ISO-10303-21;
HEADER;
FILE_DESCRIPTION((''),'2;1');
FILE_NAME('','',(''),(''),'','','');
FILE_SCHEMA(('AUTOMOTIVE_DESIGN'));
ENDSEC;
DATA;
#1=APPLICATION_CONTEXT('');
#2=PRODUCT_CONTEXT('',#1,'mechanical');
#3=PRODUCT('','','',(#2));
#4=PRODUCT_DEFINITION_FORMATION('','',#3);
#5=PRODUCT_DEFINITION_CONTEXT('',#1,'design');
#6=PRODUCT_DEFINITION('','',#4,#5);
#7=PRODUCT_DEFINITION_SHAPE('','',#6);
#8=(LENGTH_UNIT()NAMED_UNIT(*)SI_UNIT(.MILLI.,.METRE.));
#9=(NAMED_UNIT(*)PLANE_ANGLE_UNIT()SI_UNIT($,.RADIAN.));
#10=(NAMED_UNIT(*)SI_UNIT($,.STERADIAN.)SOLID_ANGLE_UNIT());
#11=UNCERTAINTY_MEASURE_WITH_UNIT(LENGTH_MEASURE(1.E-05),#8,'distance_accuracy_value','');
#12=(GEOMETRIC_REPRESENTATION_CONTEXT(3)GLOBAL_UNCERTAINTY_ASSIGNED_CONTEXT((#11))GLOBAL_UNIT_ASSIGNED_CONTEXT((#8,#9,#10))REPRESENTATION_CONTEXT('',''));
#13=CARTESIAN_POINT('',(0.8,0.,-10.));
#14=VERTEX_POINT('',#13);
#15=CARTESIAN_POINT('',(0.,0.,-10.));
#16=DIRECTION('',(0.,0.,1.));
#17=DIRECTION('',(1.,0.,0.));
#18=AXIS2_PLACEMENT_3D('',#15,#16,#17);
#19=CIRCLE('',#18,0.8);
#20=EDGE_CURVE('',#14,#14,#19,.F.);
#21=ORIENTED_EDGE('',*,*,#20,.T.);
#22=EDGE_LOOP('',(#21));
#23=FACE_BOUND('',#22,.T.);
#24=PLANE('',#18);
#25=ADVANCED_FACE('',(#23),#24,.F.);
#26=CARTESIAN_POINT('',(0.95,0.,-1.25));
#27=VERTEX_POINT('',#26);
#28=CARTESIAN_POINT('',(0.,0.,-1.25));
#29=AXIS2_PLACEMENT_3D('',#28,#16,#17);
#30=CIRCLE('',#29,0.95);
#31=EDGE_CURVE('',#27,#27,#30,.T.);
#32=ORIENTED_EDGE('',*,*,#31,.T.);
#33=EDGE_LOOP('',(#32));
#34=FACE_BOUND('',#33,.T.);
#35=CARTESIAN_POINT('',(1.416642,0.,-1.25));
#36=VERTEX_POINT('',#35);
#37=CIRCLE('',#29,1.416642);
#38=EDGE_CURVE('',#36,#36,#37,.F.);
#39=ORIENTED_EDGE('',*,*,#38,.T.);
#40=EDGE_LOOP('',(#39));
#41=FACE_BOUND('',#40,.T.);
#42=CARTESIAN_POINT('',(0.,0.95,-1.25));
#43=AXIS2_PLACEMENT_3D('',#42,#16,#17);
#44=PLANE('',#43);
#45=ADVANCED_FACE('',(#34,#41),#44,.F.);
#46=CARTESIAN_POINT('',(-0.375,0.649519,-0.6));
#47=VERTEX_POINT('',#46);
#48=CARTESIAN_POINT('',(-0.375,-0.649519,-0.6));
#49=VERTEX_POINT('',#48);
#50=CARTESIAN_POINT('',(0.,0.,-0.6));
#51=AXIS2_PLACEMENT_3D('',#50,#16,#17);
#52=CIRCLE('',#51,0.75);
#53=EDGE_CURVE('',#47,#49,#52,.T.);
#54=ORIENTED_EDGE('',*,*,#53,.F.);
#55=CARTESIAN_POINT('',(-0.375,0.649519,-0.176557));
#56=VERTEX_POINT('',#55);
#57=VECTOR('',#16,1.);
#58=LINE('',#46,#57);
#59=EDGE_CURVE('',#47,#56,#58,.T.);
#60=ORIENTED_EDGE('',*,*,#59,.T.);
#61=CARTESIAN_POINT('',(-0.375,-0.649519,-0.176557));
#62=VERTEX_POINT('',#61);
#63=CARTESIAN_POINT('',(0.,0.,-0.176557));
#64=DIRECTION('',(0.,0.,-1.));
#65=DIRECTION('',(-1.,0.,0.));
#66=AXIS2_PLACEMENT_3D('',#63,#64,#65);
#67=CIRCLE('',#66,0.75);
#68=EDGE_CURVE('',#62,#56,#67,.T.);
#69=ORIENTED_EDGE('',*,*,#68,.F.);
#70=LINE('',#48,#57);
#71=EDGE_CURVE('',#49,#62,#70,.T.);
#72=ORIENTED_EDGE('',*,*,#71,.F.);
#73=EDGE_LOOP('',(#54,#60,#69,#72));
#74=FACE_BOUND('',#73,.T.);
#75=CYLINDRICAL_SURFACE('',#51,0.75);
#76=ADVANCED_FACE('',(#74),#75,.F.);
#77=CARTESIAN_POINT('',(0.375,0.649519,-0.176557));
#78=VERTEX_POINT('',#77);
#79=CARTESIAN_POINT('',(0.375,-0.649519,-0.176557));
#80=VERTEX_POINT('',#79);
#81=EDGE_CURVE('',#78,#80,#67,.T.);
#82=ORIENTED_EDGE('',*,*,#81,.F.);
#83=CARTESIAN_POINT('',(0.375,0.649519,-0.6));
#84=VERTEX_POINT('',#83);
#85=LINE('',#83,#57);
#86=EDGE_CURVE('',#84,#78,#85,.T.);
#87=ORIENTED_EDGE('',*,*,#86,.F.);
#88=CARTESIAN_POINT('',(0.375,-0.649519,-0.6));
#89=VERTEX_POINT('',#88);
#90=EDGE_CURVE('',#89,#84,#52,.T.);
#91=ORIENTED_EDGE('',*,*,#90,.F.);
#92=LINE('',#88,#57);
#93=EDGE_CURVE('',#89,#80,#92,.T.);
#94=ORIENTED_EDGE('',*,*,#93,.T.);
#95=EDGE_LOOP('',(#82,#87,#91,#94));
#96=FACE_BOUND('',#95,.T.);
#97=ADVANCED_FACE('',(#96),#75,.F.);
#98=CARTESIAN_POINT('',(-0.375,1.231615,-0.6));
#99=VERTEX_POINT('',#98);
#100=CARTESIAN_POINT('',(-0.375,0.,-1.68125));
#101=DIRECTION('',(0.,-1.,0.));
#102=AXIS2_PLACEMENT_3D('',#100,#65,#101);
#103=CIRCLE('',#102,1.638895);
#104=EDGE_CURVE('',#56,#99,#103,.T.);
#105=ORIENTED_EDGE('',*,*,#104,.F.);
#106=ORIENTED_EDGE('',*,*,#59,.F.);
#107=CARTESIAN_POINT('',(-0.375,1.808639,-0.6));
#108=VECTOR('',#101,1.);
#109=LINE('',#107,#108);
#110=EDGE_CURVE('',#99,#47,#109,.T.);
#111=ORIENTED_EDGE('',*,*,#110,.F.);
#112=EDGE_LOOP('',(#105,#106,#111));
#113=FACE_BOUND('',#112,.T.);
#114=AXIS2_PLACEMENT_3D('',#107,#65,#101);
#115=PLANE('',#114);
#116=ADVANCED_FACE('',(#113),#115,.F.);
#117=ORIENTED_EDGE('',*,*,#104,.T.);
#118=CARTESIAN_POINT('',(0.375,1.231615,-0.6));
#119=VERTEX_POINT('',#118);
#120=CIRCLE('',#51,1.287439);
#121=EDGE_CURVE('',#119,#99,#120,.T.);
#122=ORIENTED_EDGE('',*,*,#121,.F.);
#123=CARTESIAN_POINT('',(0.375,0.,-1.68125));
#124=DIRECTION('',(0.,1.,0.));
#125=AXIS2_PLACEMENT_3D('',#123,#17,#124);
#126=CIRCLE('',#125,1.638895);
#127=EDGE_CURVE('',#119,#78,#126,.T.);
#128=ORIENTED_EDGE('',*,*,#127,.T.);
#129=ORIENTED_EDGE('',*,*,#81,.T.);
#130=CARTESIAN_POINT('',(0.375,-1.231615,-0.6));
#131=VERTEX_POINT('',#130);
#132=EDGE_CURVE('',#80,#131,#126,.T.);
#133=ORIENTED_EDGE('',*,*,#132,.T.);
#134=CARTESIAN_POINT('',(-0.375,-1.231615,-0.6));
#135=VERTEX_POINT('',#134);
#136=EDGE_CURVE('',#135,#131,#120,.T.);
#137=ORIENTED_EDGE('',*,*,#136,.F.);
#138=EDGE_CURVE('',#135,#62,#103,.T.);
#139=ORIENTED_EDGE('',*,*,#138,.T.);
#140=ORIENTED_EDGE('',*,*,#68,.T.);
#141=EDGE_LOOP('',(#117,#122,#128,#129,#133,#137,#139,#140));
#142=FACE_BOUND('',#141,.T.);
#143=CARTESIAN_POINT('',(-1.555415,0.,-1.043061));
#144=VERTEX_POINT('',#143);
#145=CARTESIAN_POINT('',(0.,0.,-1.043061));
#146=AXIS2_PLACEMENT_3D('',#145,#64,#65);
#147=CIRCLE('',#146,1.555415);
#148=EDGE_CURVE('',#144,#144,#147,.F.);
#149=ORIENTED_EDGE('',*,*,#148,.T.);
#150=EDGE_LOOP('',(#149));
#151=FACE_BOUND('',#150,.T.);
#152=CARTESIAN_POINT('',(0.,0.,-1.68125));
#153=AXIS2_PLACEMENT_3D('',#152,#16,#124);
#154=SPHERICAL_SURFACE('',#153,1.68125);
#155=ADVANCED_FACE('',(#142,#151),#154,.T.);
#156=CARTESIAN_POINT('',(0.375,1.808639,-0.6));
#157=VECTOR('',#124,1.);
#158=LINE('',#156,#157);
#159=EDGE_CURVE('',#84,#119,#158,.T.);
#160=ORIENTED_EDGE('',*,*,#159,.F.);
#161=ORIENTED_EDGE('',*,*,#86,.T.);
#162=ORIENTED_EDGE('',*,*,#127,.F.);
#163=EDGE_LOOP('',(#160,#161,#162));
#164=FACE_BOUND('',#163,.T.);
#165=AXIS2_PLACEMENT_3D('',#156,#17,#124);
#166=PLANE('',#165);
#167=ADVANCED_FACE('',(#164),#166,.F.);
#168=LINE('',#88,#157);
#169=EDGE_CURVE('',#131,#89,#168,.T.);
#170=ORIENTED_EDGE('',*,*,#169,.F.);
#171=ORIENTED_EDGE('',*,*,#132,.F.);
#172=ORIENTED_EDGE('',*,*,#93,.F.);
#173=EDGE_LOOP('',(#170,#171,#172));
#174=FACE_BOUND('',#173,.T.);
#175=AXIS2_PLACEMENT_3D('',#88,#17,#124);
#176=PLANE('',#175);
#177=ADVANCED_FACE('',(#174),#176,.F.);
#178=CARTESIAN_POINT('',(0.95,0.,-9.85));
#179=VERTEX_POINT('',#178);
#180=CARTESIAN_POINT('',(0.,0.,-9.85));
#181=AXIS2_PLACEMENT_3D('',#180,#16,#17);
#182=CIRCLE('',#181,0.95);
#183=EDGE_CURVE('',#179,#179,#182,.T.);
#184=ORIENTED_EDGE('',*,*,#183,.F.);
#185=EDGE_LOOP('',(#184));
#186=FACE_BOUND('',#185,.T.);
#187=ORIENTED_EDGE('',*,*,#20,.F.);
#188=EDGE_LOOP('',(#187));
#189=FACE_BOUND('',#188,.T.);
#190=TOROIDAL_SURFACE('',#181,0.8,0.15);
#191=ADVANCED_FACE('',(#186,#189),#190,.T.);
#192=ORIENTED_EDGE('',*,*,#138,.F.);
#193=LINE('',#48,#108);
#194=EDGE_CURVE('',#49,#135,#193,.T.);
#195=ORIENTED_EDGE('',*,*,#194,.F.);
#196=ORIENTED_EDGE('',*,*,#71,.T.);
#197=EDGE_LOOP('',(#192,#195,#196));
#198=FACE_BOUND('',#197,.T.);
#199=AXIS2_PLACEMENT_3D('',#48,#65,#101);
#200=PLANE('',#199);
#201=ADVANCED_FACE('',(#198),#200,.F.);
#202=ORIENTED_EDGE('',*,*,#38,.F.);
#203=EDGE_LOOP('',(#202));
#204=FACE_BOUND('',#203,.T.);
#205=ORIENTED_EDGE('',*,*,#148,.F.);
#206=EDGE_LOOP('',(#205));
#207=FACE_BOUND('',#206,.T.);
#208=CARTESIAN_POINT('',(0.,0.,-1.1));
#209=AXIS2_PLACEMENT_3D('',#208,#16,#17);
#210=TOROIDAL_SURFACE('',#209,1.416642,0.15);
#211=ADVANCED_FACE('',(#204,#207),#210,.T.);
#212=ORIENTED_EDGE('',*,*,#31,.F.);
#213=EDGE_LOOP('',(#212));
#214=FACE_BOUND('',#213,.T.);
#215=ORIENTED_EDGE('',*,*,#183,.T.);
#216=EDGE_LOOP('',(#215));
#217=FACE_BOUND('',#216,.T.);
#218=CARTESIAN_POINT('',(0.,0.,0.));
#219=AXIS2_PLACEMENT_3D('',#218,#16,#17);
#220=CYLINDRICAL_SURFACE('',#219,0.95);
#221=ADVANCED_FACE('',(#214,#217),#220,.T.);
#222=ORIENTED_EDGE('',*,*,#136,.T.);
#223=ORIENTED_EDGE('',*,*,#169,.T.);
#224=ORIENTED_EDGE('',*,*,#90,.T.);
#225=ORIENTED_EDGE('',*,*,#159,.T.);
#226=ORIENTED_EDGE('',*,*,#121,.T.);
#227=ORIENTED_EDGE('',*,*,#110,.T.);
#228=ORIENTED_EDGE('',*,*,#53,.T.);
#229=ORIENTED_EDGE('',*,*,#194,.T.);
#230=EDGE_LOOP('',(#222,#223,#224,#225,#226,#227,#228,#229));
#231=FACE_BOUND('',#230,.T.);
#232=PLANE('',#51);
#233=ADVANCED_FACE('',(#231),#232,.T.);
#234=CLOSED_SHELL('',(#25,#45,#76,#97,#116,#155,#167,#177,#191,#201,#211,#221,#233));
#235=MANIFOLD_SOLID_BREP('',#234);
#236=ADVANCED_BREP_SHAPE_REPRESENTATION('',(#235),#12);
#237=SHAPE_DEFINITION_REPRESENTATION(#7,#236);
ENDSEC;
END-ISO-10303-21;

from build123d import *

# Parameters (mm, degrees)
CUT_EXTRUDE1_DEPTH = 0.6
FILLET1_R          = 0.15


with BuildPart() as part:
    # Sketch1 → Revolve1 (revolve)
    with BuildSketch(Plane(origin=(0, 0, 0), x_dir=(0, 0, -1), z_dir=(1, 0, 0))):
        with BuildLine():
            Line((0, 0), (10, 0))
            Line((10, 0), (10, 0.95))
            Line((10, 0.95), (1.25, 0.95))
            Line((1.25, 0.95), (1.25, 1.625))
            ThreePointArc((1.25, 1.625), (0.348650918, 1.025076217), (0, 0))
        make_face()
    revolve(axis=Axis((0, 0, 0), (0, 0, -1)))

    # Sketch2 → Cut-Extrude1 (cut)
    with BuildSketch(Plane.XY):
        with BuildLine():
            Line((-0.375, -0.649519053), (-0.375, -1.80863887))
            Line((-0.375, -1.80863887), (0.375, -1.80863887))
            Line((0.375, -1.80863887), (0.375, -0.649519053))
            ThreePointArc((0.375, -0.649519053), (0.75, 0), (0.375, 0.649519053))
            Line((0.375, 0.649519053), (0.375, 1.80863887))
            Line((0.375, 1.80863887), (-0.375, 1.80863887))
            Line((-0.375, 1.80863887), (-0.375, 0.649519053))
            ThreePointArc((-0.375, 0.649519053), (-0.75, 0), (-0.375, -0.649519053))
        make_face()
    extrude(amount=-CUT_EXTRUDE1_DEPTH, mode=Mode.SUBTRACT)

    # Fillet1
    fillet1_edges = [part.edges().sort_by_distance(p)[0] for p in [
        (0, -1.625, -1.25),
        (0, -0.95, -10),
    ]]
    fillet(fillet1_edges, radius=FILLET1_R)


solid = part.part
